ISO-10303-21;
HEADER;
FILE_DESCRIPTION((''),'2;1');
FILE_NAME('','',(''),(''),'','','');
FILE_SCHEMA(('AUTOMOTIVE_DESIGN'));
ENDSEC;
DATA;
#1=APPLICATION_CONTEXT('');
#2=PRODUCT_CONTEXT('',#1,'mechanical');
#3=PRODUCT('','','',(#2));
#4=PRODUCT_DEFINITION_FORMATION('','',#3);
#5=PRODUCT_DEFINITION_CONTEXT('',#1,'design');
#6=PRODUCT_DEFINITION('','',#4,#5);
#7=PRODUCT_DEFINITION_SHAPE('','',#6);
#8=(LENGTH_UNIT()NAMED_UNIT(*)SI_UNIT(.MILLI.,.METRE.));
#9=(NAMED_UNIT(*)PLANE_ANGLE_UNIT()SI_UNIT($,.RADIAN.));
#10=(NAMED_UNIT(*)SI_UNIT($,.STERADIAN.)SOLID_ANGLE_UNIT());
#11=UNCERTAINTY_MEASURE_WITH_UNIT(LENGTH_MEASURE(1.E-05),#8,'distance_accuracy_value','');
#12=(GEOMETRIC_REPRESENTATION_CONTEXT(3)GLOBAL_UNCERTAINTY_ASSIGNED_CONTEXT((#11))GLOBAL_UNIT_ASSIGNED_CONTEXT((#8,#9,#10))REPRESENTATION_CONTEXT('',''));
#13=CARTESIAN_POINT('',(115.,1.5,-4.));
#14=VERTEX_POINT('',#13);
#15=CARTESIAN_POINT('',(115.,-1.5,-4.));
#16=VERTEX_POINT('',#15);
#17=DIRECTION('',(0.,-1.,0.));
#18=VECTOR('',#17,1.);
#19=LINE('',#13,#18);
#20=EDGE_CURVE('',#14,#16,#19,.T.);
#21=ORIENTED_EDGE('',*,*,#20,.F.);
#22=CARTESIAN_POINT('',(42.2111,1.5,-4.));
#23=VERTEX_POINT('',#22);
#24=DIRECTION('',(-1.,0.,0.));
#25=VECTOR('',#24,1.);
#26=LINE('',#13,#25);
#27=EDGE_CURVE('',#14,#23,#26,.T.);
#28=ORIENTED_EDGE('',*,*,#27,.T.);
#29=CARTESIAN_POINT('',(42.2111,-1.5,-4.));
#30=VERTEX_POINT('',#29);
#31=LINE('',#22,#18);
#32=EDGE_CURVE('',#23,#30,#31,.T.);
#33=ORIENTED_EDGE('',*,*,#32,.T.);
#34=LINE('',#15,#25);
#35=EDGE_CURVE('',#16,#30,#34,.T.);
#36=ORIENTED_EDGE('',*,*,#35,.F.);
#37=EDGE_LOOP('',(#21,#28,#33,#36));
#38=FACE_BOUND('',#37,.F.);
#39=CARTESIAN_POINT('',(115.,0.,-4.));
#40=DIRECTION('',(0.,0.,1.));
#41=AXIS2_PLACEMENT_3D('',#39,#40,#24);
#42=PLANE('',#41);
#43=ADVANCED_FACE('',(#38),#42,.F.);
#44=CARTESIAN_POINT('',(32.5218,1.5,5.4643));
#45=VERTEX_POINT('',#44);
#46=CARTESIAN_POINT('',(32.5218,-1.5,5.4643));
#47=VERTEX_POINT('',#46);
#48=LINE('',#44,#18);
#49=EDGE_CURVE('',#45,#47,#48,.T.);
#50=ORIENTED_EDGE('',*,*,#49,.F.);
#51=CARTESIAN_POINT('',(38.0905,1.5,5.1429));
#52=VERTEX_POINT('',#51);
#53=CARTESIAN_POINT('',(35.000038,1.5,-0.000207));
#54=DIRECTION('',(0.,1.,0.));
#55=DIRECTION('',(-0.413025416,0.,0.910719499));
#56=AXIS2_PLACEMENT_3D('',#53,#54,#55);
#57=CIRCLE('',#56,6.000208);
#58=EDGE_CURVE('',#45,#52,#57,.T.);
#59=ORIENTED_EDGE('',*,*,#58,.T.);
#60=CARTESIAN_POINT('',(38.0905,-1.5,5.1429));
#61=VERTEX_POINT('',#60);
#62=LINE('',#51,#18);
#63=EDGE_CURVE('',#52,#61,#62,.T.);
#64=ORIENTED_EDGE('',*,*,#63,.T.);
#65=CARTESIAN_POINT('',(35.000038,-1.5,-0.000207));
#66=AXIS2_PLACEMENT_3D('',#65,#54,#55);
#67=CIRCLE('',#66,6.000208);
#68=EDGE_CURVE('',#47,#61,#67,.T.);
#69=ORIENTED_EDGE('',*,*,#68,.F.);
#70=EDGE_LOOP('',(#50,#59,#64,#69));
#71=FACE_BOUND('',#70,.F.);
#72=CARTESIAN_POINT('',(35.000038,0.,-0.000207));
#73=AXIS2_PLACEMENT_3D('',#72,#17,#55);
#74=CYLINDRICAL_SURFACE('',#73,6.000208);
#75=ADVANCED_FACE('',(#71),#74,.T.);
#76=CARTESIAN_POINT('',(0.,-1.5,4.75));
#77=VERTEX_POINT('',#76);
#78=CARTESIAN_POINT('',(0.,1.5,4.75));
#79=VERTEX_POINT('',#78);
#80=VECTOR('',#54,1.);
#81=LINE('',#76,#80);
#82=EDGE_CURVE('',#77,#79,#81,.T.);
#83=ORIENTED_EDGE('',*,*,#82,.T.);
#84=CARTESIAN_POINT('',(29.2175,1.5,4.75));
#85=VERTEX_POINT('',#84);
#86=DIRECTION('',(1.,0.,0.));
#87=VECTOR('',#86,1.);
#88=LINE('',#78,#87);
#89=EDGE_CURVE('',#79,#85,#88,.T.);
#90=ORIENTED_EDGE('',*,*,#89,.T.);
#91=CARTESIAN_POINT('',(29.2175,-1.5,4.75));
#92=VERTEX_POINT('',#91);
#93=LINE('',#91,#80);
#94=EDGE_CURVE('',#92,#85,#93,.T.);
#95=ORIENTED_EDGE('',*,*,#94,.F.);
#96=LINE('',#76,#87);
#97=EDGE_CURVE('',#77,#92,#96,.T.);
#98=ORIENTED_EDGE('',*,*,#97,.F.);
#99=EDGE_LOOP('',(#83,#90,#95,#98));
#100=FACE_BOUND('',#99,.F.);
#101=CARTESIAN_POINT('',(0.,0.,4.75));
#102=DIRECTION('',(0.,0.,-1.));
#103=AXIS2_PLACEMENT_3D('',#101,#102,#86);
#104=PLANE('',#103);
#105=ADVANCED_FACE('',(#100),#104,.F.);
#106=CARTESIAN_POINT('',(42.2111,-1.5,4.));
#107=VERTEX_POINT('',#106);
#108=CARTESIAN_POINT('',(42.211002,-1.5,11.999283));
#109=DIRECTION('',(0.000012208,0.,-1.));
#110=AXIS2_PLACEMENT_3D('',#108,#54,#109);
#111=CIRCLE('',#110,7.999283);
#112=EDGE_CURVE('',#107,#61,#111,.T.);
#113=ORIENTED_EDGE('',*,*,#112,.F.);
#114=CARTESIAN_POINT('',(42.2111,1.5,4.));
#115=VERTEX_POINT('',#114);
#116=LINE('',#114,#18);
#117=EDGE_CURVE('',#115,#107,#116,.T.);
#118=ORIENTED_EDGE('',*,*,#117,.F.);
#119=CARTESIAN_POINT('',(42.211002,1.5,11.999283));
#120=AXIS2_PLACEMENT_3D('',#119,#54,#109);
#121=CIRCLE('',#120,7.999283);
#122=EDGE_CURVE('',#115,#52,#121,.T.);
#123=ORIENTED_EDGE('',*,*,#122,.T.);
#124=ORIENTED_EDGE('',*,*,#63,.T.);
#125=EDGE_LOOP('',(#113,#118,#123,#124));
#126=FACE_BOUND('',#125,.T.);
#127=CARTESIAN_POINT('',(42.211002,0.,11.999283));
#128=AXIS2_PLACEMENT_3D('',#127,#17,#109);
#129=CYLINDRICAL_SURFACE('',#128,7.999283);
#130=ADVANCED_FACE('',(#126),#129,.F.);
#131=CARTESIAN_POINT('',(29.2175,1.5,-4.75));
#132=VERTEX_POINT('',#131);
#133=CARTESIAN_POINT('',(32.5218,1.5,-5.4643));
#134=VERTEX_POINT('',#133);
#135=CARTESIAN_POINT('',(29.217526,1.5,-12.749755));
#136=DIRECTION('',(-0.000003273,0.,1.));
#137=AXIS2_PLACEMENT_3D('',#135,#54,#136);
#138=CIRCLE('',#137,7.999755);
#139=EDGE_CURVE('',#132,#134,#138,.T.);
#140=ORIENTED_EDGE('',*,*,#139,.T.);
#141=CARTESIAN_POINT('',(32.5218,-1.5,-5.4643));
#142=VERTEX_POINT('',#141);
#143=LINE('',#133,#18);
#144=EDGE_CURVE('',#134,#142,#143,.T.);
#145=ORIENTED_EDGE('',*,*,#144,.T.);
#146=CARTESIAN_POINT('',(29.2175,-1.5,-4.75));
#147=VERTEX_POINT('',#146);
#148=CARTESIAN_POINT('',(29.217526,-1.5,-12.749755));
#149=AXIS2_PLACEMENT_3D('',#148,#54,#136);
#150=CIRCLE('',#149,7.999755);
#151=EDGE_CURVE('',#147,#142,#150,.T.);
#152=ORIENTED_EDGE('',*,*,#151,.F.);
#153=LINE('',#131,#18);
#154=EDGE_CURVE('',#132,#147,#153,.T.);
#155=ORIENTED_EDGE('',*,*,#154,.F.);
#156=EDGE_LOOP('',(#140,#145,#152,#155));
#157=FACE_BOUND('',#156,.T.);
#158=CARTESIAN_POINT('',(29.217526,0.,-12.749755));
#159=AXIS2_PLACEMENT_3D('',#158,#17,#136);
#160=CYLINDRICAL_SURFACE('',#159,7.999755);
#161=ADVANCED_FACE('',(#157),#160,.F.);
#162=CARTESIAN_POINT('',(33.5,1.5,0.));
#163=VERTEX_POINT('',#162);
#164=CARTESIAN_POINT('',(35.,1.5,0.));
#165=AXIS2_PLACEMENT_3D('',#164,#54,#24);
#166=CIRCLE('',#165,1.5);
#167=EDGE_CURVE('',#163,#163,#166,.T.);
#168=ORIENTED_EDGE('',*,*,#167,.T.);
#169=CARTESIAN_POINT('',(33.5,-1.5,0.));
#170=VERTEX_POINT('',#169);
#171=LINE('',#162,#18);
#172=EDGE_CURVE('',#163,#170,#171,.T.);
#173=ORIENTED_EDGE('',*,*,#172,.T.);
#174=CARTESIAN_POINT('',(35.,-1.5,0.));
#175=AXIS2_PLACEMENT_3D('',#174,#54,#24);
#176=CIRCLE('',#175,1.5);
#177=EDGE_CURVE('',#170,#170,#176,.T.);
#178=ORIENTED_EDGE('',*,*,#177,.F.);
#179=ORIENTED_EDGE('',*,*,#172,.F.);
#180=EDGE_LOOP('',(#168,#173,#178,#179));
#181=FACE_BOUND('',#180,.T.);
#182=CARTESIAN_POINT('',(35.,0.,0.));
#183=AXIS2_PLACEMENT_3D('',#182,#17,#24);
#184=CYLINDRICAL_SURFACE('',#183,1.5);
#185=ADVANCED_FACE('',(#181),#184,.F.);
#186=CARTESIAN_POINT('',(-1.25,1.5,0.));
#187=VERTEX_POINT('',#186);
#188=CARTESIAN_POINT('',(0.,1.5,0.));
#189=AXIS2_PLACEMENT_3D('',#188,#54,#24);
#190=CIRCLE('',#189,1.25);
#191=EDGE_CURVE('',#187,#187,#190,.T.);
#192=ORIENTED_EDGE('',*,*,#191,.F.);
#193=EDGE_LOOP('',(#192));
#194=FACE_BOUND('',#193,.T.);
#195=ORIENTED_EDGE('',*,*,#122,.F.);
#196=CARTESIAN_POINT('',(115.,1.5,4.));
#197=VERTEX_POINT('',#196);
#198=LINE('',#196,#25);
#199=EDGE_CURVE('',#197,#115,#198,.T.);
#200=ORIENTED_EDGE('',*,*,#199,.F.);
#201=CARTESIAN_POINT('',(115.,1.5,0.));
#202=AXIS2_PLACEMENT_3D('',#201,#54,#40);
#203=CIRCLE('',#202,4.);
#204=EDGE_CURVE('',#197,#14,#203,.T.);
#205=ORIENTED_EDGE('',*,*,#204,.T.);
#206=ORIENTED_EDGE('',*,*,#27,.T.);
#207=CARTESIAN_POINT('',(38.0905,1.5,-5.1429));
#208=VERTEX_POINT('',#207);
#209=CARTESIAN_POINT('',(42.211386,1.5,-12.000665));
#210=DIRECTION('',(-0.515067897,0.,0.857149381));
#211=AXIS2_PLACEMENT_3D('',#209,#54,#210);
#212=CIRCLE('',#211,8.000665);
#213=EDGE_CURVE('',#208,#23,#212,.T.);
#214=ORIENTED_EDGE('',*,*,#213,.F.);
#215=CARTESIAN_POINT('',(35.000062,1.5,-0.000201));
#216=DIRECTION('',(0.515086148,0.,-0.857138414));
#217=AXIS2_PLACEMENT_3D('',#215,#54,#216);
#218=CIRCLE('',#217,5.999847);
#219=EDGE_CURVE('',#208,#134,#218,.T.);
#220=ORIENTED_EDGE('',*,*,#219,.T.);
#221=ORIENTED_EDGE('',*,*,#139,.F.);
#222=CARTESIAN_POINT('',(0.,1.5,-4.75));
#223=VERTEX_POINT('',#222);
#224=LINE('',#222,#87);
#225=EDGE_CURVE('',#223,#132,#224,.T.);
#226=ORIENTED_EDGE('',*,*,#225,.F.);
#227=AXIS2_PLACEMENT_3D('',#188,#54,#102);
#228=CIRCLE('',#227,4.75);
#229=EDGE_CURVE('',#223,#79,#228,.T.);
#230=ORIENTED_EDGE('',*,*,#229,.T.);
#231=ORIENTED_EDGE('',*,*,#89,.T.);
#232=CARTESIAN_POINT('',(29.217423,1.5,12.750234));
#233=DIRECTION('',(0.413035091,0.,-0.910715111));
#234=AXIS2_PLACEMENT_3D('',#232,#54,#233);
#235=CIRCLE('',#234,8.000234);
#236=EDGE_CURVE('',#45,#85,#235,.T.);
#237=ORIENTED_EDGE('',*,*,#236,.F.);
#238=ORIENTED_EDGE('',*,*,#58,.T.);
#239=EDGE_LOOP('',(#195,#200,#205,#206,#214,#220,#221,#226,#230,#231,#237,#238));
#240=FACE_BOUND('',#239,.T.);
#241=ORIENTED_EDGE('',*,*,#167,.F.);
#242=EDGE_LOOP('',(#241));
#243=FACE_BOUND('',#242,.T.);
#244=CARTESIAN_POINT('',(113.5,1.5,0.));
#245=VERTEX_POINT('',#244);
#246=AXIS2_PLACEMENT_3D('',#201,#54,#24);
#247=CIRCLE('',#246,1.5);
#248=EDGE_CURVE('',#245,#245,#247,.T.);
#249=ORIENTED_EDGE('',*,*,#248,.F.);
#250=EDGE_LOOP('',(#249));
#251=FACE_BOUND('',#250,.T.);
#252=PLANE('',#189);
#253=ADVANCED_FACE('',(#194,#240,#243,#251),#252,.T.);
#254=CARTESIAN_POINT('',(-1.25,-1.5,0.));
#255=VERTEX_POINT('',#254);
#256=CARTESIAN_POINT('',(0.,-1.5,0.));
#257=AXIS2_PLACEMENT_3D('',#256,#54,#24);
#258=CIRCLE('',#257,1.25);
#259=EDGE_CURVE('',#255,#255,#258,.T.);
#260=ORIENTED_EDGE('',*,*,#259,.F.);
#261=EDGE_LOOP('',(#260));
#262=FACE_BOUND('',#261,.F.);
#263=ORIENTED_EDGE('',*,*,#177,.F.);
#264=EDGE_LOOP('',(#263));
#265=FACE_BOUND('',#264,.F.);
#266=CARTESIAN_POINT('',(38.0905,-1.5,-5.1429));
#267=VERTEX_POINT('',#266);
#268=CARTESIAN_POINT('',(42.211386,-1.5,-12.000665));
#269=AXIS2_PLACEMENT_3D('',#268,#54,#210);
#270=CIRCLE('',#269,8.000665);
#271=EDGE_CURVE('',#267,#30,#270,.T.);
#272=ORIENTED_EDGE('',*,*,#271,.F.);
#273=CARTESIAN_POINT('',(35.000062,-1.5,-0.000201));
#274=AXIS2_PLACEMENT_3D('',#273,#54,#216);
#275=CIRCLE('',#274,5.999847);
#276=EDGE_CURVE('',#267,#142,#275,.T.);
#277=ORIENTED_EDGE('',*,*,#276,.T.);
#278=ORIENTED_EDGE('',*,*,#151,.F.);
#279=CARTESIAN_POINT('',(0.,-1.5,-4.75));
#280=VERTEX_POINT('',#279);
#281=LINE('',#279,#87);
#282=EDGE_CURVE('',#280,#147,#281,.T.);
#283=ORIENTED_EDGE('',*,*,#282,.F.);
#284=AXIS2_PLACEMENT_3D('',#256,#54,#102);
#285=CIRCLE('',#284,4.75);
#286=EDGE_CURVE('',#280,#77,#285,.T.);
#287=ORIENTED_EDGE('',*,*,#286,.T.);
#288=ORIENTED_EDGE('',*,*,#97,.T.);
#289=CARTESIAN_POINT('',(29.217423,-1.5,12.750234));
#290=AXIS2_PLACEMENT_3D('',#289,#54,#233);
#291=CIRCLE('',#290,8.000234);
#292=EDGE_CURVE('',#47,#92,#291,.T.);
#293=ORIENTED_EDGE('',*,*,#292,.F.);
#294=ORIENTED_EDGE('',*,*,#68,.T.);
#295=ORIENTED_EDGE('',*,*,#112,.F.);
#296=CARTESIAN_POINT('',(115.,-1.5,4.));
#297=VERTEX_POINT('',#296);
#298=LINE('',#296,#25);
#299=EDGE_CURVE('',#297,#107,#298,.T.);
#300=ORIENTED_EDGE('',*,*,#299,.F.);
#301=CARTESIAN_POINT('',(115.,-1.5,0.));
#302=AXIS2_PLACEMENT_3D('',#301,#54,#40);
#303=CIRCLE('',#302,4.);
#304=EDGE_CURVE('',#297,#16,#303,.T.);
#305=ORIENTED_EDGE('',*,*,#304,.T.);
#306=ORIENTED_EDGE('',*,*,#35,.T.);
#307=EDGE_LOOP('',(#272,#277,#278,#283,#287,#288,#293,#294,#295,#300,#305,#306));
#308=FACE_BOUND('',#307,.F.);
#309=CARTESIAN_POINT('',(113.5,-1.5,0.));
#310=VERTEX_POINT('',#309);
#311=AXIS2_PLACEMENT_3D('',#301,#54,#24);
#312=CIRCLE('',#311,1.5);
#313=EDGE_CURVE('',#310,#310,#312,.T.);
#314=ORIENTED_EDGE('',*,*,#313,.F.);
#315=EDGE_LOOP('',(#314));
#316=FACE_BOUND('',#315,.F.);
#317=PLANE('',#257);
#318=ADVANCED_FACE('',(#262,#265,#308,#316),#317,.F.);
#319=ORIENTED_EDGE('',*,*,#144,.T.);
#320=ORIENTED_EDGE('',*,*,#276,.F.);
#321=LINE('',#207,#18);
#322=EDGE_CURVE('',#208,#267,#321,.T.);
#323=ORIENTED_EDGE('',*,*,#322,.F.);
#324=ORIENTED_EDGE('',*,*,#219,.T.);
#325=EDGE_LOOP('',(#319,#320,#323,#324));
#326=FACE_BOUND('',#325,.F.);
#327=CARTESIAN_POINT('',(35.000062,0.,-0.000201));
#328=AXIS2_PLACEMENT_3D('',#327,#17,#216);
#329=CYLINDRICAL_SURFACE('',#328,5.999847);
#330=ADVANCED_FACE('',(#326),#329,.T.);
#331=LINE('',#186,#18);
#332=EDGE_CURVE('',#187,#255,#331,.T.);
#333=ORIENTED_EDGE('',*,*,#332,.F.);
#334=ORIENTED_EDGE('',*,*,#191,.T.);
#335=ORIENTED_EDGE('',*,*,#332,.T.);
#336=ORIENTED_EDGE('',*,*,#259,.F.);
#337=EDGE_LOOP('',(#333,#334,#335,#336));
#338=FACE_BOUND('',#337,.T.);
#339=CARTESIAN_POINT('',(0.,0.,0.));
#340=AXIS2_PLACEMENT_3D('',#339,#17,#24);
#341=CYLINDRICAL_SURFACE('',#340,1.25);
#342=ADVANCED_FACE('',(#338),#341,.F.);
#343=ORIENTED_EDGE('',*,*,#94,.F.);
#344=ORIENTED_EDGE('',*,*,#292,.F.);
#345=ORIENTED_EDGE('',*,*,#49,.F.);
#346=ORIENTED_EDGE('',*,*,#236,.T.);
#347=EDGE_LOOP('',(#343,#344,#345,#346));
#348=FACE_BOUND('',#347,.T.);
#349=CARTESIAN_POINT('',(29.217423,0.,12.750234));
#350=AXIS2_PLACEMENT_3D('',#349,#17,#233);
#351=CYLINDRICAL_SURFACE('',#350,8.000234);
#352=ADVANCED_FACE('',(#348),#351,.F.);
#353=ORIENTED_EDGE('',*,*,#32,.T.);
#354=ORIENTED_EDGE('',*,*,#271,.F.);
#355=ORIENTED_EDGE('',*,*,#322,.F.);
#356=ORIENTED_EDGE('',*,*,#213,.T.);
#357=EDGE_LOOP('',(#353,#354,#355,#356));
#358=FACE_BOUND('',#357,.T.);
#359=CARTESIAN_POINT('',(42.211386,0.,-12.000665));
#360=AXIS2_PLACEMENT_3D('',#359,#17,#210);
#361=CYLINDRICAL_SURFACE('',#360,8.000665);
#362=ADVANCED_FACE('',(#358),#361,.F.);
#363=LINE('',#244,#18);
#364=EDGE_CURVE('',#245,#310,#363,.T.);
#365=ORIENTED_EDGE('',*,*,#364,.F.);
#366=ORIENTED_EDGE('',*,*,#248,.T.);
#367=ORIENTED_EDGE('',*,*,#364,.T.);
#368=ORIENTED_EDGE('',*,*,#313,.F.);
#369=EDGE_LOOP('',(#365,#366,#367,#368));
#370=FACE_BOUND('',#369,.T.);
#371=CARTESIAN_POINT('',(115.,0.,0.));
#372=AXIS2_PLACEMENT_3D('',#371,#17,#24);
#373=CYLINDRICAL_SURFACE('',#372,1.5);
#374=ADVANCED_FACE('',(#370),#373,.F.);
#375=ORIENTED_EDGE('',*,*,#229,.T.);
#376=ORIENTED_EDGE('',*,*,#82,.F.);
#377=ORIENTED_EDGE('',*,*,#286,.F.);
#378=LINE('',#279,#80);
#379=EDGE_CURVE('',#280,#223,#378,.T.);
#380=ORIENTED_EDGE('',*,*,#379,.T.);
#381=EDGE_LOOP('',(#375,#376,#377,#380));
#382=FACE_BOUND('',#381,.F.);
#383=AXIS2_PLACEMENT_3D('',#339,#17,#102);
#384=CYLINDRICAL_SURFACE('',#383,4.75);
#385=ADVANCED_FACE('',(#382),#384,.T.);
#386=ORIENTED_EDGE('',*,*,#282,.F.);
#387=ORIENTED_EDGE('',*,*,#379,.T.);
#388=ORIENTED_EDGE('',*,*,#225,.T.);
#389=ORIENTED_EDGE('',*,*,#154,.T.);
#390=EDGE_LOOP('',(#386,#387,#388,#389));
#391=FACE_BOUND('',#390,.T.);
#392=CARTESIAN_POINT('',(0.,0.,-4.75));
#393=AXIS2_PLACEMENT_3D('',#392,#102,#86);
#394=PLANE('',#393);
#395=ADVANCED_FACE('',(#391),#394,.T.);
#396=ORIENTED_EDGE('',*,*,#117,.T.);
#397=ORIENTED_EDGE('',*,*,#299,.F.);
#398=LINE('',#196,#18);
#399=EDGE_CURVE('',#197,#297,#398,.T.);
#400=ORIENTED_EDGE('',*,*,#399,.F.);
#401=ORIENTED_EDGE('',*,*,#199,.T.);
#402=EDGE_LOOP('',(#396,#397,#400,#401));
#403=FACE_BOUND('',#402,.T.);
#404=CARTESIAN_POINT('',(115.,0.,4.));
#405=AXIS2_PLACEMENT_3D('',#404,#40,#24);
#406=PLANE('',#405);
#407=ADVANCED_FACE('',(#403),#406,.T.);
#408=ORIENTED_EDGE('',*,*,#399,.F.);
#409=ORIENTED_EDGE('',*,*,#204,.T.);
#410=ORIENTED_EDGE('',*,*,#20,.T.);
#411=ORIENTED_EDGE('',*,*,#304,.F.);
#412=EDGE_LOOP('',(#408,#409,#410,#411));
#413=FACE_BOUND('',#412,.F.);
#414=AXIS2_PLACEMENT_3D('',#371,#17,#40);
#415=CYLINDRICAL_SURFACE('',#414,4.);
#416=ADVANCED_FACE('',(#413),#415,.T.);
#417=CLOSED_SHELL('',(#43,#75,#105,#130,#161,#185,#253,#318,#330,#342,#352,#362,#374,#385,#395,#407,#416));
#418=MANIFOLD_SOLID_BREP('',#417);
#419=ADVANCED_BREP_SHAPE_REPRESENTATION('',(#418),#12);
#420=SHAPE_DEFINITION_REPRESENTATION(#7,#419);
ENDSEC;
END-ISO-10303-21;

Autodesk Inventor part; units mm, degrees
ref_plane "YZ Plane" through (0, 0, 0) normal (1, 0, 0) x (0, 1, 0)
ref_plane "XZ Plane" through (0, 0, 0) normal (0, 1, 0) x (-1, 0, 0)
ref_plane "XY Plane" through (0, 0, 0) normal (0, 0, 1) x (1, 0, 0)
sketch "草圖1" plane through (0, 0, 0) normal (0, 1, 0) x (-1, 0, 0)
  circle A0 centre (0, 0) radius 1.25
  circle A1 centre (-35, 0) radius 1.5
  circle A2 centre (-115, 0) radius 1.5
  arc A3 (0, -4.75) -> (0, 4.75) centre (0, 0) ccw
  arc A4 (-115, 4) -> (-115, -4) centre (-115, 0) ccw
  line L0 (0, 4.75) -> (-29.2175, 4.75)
  line L1 (-115, 4) -> (-42.2111, 4)
  line L2 (0, -4.75) -> (-29.2175, -4.75)
  line L3 (-115, -4) -> (-42.2111, -4)
  arc A5 (-32.5218, 5.4643) -> (-38.0905, 5.1429) centre (-35, 0) ccw
  arc A6 (-38.0905, -5.1429) -> (-32.5218, -5.4643) centre (-35, 0) ccw
  arc A7 (-32.5218, 5.4643) -> (-29.2175, 4.75) centre (-29.2175, 12.75) ccw
  arc A8 (-42.2111, 4) -> (-38.0905, 5.1429) centre (-42.2111, 12) ccw
  arc A9 (-38.0905, -5.1429) -> (-42.2111, -4) centre (-42.2111, -12) ccw
  arc A10 (-29.2175, -4.75) -> (-32.5218, -5.4643) centre (-29.2175, -12.75) ccw
  point P0 (-31.3343, 4.75)
  point P1 (-39.4721, 4)
  point P2 (-31.3343, -4.75)
  point P3 (-39.4721, -4)
  dimension "d0" = 2.5
  dimension "d2" = 3
  dimension "d3" = 35
  dimension "d4" = 3
  dimension "d5" = 9.5
  dimension "d6" = 8
  dimension "d8" = 8
extrude "擠出1" add sketch "草圖1" along normal mid plane 3
properties part number "連接7"
